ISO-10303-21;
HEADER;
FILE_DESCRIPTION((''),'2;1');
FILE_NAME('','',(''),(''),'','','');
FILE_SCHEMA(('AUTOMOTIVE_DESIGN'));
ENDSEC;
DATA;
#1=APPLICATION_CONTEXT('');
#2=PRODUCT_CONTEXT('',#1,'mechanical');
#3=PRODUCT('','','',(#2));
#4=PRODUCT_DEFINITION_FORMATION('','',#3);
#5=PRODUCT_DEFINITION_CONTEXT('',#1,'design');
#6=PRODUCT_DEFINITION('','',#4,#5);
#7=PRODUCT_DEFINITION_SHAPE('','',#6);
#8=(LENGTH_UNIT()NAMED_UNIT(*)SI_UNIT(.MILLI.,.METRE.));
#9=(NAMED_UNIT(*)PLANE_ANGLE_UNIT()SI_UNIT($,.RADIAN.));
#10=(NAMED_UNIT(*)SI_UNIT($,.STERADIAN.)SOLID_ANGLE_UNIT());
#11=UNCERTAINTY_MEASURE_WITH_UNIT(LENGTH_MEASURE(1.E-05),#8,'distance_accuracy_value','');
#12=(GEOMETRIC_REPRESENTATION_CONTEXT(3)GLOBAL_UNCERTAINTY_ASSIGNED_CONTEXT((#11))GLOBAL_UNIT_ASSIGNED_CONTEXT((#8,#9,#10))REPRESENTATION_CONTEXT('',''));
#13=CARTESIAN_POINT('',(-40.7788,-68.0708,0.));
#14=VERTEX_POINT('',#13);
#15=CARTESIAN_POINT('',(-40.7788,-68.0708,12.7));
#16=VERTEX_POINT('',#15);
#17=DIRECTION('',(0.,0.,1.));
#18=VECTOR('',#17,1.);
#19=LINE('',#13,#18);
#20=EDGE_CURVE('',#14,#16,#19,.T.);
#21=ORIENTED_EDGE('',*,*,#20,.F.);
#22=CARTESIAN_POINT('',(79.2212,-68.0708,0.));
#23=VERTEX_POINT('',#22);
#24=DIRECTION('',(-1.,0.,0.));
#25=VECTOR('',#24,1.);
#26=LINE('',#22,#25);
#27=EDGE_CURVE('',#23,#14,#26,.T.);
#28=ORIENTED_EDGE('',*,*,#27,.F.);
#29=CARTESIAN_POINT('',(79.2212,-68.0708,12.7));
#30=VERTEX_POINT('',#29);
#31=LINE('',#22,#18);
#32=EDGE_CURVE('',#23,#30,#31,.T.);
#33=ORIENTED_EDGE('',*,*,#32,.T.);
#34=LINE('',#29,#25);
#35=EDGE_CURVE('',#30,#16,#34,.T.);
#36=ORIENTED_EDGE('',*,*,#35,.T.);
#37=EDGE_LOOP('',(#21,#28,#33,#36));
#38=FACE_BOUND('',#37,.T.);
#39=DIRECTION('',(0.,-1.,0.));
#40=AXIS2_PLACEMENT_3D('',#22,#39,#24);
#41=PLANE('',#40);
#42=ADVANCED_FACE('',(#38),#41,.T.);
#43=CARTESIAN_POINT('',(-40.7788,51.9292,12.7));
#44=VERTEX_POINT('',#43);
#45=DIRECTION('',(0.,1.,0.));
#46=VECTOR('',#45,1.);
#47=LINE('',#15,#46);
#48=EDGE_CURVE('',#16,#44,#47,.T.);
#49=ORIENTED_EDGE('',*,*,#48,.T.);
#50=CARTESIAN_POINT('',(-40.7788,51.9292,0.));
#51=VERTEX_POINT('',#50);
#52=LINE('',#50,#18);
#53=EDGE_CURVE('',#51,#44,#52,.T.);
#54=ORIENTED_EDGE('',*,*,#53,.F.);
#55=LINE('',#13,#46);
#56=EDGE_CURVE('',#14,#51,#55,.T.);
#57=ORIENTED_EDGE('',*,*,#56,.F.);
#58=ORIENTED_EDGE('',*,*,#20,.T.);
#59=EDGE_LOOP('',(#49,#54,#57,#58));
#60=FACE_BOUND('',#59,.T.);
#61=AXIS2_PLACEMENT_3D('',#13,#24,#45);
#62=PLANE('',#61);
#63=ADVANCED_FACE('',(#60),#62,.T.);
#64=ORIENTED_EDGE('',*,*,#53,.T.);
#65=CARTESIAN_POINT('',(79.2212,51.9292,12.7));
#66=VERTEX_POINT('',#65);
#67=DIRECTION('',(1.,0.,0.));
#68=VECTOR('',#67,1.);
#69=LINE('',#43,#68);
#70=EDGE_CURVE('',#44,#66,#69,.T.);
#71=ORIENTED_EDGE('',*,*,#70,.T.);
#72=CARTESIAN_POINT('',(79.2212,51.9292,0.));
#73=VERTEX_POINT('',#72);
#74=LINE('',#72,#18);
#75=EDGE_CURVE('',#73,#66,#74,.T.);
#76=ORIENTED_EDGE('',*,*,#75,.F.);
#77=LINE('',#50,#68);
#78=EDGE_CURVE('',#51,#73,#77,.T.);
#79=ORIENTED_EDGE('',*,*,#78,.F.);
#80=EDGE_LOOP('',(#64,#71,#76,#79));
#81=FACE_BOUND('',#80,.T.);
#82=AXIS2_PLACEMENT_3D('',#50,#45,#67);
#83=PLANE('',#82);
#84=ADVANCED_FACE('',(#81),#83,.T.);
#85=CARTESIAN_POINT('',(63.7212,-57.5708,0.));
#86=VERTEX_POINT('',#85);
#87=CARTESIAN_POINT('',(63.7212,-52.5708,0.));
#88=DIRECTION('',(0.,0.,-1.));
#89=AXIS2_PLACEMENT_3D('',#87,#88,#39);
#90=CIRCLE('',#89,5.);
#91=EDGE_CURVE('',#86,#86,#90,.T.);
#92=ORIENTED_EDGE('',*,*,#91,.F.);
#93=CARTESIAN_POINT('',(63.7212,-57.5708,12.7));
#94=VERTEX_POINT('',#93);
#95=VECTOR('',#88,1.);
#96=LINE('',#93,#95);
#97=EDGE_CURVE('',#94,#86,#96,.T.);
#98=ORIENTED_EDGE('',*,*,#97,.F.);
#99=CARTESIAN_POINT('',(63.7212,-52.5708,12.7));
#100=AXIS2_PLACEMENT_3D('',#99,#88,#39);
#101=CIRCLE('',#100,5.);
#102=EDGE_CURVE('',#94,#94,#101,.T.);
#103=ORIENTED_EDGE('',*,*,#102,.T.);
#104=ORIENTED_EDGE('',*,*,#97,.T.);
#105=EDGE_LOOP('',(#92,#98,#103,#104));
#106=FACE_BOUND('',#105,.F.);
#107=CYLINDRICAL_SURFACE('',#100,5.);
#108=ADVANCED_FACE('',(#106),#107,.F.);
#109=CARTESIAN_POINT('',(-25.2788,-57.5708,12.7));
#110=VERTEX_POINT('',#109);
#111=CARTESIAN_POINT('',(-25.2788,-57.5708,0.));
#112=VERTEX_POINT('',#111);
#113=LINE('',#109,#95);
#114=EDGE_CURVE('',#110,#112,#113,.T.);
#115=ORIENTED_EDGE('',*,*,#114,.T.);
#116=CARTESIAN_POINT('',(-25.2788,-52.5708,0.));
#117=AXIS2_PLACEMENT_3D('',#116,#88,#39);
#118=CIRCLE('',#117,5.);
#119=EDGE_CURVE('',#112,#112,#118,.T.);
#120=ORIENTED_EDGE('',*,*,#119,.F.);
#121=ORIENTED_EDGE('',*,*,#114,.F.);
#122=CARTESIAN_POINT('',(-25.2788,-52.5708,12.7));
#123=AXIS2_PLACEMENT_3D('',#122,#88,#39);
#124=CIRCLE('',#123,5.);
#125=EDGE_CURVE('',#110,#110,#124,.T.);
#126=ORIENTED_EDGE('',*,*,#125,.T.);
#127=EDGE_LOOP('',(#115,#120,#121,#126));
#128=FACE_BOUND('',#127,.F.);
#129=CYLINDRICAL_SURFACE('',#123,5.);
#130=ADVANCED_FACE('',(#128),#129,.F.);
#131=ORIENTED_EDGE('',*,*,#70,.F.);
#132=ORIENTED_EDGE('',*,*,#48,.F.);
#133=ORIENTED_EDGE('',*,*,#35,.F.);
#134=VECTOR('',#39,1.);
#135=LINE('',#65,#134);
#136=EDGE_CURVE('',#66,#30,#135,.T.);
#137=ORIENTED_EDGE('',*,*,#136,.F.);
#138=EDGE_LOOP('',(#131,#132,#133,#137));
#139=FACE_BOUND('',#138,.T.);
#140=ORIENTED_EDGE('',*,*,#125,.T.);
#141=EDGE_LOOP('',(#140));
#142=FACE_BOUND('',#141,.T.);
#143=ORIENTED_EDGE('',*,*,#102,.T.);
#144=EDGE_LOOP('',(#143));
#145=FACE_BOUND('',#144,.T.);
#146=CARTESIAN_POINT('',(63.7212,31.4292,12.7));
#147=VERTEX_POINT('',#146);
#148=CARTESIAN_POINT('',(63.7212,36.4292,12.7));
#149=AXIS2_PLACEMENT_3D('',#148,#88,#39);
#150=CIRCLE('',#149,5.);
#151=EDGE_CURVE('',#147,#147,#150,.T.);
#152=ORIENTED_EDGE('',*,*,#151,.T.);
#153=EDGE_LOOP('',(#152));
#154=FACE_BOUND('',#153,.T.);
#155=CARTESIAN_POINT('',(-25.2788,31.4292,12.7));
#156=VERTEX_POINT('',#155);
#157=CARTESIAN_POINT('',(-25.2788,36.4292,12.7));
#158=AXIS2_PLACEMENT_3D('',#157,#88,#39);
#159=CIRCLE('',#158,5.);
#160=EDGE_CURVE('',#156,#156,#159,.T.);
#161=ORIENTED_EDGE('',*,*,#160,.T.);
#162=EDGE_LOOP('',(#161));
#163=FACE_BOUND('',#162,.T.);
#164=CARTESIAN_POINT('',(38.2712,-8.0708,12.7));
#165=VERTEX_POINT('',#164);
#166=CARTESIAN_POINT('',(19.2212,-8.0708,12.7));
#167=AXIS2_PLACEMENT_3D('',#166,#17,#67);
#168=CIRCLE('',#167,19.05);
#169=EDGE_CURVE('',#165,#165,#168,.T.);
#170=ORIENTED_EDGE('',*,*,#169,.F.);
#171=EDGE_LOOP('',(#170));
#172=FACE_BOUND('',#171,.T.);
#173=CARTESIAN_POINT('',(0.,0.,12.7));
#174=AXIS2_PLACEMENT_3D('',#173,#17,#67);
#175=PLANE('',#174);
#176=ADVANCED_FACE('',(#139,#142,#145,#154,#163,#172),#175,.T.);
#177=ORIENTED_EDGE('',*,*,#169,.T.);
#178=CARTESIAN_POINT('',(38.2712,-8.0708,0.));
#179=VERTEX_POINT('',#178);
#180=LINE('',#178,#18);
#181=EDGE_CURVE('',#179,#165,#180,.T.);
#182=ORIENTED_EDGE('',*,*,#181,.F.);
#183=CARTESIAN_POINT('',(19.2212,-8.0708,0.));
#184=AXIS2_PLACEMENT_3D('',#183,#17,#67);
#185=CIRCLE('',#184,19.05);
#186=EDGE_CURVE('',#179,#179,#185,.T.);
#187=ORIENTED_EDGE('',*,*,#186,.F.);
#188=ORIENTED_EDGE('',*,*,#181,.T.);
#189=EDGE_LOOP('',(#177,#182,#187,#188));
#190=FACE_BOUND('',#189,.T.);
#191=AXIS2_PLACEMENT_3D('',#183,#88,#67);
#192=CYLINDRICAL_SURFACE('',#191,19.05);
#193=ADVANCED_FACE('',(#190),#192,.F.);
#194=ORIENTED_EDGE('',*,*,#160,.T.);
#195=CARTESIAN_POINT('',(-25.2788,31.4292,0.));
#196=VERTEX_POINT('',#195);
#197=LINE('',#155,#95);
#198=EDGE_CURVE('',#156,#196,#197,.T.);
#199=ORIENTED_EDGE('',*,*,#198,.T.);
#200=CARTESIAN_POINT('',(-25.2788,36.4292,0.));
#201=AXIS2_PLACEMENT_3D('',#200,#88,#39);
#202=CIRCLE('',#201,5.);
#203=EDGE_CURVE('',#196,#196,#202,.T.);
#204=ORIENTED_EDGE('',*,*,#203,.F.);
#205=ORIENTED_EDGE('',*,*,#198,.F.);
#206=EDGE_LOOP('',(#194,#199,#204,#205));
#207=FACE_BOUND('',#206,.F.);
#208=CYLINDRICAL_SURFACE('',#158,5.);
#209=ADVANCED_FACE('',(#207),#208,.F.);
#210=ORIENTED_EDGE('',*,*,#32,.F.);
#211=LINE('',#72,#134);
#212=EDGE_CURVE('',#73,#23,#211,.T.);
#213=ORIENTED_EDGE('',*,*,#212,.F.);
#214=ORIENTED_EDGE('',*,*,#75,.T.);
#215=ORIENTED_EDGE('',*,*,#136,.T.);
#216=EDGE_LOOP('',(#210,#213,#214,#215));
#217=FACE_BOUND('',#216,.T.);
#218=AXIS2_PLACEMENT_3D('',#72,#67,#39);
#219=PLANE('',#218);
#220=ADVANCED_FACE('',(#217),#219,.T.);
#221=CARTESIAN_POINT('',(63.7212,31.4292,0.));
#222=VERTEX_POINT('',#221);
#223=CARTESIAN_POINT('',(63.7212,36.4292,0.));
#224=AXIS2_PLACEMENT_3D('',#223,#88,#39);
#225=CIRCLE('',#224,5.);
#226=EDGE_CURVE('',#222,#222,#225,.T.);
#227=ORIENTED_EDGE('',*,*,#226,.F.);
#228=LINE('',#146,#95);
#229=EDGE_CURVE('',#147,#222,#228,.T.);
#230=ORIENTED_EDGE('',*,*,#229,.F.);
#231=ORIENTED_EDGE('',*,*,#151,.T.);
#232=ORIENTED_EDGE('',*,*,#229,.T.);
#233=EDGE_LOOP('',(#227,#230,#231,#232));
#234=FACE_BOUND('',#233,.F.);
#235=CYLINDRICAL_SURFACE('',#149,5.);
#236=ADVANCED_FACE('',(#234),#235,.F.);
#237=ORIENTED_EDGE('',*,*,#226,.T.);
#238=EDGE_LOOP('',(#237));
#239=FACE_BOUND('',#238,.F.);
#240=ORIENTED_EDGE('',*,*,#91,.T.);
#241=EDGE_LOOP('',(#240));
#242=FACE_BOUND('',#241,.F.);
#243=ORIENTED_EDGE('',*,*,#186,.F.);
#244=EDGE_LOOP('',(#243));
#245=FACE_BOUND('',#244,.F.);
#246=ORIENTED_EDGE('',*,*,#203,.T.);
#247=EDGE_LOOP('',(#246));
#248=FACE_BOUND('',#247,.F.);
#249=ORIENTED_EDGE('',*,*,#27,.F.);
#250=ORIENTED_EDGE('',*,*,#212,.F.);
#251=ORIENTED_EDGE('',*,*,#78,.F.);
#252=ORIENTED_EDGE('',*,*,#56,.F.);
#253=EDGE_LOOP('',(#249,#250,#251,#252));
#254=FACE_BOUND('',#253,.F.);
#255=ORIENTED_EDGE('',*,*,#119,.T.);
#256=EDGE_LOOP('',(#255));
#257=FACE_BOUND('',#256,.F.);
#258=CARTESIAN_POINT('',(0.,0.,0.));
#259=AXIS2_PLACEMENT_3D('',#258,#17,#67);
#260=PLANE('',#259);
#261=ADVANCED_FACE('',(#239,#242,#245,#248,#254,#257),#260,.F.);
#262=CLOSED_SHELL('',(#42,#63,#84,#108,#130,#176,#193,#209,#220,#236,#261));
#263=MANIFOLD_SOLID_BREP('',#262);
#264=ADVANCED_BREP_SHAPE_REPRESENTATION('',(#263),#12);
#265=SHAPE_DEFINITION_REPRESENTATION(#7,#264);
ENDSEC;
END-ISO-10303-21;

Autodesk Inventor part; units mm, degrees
ref_plane "YZ Plane" through (0, 0, 0) normal (1, 0, 0) x (0, 1, 0)
ref_plane "XZ Plane" through (0, 0, 0) normal (0, 1, 0) x (-1, 0, 0)
ref_plane "XY Plane" through (0, 0, 0) normal (0, 0, 1) x (1, 0, 0)
sketch "Sketch1" plane through (0, 0, 0) normal (0, 0, 1) x (1, 0, 0)
  line L0 (-40.7788, 51.9292) -> (79.2212, 51.9292)
  line L1 (79.2212, 51.9292) -> (79.2212, -68.0708)
  line L2 (79.2212, -68.0708) -> (-40.7788, -68.0708)
  line L3 (-40.7788, -68.0708) -> (-40.7788, 51.9292)
  circle A0 centre (19.2212, -8.0708) radius 19.05
  point P0 (0, 0)
  dimension "d0" = 120
  dimension "d1" = 120
  dimension "d2" = 38.1
extrude "Extrusion1" add sketch "Sketch1" along normal blind 12.7
sketch "Sketch2" plane through (0, 0, 12.7) normal (0, 0, 1) x (1, 0, 0)
  line L0 (-40.7788, 51.9292) -> (-40.7788, -68.0708) projected
  line L1 (-40.7788, -8.0708) -> (79.2212, -8.0708)
  line L2 (79.2212, -68.0708) -> (79.2212, 51.9292) projected
  line L3 (79.2212, 51.9292) -> (-40.7788, 51.9292) projected
  line L4 (19.2212, 51.9292) -> (19.2212, -68.0708)
  line L5 (-40.7788, -68.0708) -> (79.2212, -68.0708) projected
  point P0 (0, 0)
  point P1 (-25.2788, 36.4292)
  point P2 (63.7212, 36.4292)
  point P3 (63.7212, -52.5708)
  point P4 (-25.2788, -52.5708)
  dimension "d5" = 89
  dimension "d6" = 89
  dimension "d7" = 89
  dimension "d8" = 89
hole "Hole1" at (-25.2788, 36.4292, 12.7) at (63.7212, 36.4292, 12.7) at (63.7212, -52.5708, 12.7) at (-25.2788, -52.5708, 12.7) direction (0, 0, -1) diameter 10 end through all
properties part number "placa inferior"
